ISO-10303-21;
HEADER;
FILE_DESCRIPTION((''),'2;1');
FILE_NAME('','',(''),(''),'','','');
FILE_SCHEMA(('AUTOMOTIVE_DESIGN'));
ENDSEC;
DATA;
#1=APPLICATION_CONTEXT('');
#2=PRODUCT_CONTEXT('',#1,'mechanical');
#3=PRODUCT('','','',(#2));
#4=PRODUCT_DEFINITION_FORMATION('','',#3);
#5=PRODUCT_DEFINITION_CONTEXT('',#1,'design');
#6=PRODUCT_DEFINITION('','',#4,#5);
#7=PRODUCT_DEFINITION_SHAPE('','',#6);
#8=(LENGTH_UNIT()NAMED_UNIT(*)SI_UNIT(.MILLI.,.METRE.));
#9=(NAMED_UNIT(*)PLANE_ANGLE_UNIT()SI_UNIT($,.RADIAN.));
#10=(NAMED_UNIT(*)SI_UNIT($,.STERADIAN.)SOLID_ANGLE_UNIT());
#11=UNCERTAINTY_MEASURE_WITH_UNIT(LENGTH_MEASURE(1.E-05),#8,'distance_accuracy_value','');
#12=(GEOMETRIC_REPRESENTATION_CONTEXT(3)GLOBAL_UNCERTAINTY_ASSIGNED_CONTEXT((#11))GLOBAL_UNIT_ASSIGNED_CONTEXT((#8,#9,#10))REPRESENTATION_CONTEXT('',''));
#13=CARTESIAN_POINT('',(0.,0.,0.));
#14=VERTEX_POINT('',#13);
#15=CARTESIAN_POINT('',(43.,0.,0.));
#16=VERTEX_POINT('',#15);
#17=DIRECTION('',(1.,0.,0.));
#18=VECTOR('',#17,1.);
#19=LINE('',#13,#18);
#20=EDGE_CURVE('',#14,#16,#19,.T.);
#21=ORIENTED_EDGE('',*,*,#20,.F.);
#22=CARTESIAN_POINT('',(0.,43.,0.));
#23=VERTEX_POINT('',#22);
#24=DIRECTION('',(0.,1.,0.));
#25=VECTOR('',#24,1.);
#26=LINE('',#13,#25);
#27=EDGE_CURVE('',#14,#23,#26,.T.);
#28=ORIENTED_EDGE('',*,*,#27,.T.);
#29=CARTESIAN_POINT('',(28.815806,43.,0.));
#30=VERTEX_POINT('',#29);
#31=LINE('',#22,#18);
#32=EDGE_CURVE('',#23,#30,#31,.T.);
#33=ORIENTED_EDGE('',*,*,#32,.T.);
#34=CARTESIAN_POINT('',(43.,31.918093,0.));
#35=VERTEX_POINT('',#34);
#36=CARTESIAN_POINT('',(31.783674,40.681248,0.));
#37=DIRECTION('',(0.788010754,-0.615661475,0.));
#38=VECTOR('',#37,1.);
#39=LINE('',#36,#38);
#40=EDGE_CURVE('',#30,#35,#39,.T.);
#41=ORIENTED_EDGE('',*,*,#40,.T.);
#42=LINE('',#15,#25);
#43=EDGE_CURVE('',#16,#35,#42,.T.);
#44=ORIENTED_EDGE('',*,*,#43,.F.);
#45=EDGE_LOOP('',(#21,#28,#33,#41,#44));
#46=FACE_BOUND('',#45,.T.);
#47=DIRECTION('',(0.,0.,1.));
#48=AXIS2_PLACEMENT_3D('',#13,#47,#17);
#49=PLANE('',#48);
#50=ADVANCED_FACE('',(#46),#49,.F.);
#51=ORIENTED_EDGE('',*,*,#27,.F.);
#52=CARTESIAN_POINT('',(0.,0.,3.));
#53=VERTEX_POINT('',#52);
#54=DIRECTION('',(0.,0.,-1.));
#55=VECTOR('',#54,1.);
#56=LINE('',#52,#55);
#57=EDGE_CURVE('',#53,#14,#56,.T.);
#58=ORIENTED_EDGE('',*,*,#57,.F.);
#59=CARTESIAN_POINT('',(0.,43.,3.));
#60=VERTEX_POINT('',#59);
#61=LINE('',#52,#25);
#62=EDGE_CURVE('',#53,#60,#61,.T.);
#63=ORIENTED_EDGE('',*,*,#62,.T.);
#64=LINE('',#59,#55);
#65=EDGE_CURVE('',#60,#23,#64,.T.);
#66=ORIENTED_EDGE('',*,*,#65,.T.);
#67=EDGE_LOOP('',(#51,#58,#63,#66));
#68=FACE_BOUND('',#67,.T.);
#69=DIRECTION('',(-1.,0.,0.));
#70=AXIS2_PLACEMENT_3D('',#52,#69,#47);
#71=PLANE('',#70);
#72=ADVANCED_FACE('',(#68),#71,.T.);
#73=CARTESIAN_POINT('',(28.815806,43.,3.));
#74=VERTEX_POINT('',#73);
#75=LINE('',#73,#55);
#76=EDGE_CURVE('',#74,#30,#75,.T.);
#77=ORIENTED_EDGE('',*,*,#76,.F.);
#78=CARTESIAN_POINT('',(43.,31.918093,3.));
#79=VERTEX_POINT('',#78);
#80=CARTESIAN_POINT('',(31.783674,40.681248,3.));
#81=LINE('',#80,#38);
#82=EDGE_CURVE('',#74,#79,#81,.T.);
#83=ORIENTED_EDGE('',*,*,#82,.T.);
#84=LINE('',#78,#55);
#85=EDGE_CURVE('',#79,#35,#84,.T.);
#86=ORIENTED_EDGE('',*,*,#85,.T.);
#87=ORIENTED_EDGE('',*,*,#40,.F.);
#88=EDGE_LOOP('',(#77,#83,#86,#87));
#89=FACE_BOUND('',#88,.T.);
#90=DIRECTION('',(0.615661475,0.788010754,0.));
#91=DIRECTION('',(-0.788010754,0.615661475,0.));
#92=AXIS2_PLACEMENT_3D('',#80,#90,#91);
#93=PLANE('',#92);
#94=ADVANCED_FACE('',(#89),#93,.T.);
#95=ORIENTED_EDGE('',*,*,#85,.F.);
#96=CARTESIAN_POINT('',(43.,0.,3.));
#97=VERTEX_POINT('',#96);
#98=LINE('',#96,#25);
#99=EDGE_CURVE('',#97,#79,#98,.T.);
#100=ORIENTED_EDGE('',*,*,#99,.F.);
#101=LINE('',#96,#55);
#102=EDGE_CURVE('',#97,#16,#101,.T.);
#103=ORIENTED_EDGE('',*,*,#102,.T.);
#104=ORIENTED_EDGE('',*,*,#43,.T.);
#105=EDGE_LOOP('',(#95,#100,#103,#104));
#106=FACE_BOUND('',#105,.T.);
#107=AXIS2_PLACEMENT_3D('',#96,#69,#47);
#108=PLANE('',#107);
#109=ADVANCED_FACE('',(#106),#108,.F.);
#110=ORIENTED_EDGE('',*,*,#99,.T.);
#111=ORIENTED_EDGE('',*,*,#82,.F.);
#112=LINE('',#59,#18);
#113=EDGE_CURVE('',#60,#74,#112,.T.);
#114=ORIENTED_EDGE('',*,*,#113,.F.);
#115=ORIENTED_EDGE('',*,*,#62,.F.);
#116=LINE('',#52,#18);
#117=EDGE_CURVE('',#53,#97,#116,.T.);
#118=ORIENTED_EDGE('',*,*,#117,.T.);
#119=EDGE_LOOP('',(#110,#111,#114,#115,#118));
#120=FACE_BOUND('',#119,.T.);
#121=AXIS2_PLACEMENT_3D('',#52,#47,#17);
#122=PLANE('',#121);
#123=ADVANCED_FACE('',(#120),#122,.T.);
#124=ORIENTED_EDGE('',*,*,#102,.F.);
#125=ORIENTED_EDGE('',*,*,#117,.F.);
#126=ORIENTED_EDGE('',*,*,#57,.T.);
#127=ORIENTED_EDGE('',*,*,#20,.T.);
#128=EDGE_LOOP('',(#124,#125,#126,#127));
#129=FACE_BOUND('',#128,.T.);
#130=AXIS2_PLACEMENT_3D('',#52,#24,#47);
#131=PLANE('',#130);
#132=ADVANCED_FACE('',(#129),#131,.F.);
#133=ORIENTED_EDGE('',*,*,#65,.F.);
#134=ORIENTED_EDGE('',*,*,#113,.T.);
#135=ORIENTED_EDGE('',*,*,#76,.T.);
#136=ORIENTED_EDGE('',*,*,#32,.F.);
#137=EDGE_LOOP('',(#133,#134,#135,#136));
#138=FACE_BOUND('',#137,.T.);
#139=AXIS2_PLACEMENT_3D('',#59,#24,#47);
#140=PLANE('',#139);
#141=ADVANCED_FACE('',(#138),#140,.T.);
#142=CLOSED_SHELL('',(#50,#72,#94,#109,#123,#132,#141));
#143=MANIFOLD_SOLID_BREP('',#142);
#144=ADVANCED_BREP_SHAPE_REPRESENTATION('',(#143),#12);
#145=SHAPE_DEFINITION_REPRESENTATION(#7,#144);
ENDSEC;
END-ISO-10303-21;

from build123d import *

# Parameters (mm, degrees)
BOSS_EXTRUDE1_DEPTH = 3


with BuildPart() as part:
    # Sketch1 → Boss-Extrude1 (new body)
    with BuildSketch(Plane.XY):
        Polygon((43, 31.918093444), (28.815806435, 43), (0, 43), (0, 0), (43, 0), align=None)
    extrude(amount=BOSS_EXTRUDE1_DEPTH)


solid = part.part
